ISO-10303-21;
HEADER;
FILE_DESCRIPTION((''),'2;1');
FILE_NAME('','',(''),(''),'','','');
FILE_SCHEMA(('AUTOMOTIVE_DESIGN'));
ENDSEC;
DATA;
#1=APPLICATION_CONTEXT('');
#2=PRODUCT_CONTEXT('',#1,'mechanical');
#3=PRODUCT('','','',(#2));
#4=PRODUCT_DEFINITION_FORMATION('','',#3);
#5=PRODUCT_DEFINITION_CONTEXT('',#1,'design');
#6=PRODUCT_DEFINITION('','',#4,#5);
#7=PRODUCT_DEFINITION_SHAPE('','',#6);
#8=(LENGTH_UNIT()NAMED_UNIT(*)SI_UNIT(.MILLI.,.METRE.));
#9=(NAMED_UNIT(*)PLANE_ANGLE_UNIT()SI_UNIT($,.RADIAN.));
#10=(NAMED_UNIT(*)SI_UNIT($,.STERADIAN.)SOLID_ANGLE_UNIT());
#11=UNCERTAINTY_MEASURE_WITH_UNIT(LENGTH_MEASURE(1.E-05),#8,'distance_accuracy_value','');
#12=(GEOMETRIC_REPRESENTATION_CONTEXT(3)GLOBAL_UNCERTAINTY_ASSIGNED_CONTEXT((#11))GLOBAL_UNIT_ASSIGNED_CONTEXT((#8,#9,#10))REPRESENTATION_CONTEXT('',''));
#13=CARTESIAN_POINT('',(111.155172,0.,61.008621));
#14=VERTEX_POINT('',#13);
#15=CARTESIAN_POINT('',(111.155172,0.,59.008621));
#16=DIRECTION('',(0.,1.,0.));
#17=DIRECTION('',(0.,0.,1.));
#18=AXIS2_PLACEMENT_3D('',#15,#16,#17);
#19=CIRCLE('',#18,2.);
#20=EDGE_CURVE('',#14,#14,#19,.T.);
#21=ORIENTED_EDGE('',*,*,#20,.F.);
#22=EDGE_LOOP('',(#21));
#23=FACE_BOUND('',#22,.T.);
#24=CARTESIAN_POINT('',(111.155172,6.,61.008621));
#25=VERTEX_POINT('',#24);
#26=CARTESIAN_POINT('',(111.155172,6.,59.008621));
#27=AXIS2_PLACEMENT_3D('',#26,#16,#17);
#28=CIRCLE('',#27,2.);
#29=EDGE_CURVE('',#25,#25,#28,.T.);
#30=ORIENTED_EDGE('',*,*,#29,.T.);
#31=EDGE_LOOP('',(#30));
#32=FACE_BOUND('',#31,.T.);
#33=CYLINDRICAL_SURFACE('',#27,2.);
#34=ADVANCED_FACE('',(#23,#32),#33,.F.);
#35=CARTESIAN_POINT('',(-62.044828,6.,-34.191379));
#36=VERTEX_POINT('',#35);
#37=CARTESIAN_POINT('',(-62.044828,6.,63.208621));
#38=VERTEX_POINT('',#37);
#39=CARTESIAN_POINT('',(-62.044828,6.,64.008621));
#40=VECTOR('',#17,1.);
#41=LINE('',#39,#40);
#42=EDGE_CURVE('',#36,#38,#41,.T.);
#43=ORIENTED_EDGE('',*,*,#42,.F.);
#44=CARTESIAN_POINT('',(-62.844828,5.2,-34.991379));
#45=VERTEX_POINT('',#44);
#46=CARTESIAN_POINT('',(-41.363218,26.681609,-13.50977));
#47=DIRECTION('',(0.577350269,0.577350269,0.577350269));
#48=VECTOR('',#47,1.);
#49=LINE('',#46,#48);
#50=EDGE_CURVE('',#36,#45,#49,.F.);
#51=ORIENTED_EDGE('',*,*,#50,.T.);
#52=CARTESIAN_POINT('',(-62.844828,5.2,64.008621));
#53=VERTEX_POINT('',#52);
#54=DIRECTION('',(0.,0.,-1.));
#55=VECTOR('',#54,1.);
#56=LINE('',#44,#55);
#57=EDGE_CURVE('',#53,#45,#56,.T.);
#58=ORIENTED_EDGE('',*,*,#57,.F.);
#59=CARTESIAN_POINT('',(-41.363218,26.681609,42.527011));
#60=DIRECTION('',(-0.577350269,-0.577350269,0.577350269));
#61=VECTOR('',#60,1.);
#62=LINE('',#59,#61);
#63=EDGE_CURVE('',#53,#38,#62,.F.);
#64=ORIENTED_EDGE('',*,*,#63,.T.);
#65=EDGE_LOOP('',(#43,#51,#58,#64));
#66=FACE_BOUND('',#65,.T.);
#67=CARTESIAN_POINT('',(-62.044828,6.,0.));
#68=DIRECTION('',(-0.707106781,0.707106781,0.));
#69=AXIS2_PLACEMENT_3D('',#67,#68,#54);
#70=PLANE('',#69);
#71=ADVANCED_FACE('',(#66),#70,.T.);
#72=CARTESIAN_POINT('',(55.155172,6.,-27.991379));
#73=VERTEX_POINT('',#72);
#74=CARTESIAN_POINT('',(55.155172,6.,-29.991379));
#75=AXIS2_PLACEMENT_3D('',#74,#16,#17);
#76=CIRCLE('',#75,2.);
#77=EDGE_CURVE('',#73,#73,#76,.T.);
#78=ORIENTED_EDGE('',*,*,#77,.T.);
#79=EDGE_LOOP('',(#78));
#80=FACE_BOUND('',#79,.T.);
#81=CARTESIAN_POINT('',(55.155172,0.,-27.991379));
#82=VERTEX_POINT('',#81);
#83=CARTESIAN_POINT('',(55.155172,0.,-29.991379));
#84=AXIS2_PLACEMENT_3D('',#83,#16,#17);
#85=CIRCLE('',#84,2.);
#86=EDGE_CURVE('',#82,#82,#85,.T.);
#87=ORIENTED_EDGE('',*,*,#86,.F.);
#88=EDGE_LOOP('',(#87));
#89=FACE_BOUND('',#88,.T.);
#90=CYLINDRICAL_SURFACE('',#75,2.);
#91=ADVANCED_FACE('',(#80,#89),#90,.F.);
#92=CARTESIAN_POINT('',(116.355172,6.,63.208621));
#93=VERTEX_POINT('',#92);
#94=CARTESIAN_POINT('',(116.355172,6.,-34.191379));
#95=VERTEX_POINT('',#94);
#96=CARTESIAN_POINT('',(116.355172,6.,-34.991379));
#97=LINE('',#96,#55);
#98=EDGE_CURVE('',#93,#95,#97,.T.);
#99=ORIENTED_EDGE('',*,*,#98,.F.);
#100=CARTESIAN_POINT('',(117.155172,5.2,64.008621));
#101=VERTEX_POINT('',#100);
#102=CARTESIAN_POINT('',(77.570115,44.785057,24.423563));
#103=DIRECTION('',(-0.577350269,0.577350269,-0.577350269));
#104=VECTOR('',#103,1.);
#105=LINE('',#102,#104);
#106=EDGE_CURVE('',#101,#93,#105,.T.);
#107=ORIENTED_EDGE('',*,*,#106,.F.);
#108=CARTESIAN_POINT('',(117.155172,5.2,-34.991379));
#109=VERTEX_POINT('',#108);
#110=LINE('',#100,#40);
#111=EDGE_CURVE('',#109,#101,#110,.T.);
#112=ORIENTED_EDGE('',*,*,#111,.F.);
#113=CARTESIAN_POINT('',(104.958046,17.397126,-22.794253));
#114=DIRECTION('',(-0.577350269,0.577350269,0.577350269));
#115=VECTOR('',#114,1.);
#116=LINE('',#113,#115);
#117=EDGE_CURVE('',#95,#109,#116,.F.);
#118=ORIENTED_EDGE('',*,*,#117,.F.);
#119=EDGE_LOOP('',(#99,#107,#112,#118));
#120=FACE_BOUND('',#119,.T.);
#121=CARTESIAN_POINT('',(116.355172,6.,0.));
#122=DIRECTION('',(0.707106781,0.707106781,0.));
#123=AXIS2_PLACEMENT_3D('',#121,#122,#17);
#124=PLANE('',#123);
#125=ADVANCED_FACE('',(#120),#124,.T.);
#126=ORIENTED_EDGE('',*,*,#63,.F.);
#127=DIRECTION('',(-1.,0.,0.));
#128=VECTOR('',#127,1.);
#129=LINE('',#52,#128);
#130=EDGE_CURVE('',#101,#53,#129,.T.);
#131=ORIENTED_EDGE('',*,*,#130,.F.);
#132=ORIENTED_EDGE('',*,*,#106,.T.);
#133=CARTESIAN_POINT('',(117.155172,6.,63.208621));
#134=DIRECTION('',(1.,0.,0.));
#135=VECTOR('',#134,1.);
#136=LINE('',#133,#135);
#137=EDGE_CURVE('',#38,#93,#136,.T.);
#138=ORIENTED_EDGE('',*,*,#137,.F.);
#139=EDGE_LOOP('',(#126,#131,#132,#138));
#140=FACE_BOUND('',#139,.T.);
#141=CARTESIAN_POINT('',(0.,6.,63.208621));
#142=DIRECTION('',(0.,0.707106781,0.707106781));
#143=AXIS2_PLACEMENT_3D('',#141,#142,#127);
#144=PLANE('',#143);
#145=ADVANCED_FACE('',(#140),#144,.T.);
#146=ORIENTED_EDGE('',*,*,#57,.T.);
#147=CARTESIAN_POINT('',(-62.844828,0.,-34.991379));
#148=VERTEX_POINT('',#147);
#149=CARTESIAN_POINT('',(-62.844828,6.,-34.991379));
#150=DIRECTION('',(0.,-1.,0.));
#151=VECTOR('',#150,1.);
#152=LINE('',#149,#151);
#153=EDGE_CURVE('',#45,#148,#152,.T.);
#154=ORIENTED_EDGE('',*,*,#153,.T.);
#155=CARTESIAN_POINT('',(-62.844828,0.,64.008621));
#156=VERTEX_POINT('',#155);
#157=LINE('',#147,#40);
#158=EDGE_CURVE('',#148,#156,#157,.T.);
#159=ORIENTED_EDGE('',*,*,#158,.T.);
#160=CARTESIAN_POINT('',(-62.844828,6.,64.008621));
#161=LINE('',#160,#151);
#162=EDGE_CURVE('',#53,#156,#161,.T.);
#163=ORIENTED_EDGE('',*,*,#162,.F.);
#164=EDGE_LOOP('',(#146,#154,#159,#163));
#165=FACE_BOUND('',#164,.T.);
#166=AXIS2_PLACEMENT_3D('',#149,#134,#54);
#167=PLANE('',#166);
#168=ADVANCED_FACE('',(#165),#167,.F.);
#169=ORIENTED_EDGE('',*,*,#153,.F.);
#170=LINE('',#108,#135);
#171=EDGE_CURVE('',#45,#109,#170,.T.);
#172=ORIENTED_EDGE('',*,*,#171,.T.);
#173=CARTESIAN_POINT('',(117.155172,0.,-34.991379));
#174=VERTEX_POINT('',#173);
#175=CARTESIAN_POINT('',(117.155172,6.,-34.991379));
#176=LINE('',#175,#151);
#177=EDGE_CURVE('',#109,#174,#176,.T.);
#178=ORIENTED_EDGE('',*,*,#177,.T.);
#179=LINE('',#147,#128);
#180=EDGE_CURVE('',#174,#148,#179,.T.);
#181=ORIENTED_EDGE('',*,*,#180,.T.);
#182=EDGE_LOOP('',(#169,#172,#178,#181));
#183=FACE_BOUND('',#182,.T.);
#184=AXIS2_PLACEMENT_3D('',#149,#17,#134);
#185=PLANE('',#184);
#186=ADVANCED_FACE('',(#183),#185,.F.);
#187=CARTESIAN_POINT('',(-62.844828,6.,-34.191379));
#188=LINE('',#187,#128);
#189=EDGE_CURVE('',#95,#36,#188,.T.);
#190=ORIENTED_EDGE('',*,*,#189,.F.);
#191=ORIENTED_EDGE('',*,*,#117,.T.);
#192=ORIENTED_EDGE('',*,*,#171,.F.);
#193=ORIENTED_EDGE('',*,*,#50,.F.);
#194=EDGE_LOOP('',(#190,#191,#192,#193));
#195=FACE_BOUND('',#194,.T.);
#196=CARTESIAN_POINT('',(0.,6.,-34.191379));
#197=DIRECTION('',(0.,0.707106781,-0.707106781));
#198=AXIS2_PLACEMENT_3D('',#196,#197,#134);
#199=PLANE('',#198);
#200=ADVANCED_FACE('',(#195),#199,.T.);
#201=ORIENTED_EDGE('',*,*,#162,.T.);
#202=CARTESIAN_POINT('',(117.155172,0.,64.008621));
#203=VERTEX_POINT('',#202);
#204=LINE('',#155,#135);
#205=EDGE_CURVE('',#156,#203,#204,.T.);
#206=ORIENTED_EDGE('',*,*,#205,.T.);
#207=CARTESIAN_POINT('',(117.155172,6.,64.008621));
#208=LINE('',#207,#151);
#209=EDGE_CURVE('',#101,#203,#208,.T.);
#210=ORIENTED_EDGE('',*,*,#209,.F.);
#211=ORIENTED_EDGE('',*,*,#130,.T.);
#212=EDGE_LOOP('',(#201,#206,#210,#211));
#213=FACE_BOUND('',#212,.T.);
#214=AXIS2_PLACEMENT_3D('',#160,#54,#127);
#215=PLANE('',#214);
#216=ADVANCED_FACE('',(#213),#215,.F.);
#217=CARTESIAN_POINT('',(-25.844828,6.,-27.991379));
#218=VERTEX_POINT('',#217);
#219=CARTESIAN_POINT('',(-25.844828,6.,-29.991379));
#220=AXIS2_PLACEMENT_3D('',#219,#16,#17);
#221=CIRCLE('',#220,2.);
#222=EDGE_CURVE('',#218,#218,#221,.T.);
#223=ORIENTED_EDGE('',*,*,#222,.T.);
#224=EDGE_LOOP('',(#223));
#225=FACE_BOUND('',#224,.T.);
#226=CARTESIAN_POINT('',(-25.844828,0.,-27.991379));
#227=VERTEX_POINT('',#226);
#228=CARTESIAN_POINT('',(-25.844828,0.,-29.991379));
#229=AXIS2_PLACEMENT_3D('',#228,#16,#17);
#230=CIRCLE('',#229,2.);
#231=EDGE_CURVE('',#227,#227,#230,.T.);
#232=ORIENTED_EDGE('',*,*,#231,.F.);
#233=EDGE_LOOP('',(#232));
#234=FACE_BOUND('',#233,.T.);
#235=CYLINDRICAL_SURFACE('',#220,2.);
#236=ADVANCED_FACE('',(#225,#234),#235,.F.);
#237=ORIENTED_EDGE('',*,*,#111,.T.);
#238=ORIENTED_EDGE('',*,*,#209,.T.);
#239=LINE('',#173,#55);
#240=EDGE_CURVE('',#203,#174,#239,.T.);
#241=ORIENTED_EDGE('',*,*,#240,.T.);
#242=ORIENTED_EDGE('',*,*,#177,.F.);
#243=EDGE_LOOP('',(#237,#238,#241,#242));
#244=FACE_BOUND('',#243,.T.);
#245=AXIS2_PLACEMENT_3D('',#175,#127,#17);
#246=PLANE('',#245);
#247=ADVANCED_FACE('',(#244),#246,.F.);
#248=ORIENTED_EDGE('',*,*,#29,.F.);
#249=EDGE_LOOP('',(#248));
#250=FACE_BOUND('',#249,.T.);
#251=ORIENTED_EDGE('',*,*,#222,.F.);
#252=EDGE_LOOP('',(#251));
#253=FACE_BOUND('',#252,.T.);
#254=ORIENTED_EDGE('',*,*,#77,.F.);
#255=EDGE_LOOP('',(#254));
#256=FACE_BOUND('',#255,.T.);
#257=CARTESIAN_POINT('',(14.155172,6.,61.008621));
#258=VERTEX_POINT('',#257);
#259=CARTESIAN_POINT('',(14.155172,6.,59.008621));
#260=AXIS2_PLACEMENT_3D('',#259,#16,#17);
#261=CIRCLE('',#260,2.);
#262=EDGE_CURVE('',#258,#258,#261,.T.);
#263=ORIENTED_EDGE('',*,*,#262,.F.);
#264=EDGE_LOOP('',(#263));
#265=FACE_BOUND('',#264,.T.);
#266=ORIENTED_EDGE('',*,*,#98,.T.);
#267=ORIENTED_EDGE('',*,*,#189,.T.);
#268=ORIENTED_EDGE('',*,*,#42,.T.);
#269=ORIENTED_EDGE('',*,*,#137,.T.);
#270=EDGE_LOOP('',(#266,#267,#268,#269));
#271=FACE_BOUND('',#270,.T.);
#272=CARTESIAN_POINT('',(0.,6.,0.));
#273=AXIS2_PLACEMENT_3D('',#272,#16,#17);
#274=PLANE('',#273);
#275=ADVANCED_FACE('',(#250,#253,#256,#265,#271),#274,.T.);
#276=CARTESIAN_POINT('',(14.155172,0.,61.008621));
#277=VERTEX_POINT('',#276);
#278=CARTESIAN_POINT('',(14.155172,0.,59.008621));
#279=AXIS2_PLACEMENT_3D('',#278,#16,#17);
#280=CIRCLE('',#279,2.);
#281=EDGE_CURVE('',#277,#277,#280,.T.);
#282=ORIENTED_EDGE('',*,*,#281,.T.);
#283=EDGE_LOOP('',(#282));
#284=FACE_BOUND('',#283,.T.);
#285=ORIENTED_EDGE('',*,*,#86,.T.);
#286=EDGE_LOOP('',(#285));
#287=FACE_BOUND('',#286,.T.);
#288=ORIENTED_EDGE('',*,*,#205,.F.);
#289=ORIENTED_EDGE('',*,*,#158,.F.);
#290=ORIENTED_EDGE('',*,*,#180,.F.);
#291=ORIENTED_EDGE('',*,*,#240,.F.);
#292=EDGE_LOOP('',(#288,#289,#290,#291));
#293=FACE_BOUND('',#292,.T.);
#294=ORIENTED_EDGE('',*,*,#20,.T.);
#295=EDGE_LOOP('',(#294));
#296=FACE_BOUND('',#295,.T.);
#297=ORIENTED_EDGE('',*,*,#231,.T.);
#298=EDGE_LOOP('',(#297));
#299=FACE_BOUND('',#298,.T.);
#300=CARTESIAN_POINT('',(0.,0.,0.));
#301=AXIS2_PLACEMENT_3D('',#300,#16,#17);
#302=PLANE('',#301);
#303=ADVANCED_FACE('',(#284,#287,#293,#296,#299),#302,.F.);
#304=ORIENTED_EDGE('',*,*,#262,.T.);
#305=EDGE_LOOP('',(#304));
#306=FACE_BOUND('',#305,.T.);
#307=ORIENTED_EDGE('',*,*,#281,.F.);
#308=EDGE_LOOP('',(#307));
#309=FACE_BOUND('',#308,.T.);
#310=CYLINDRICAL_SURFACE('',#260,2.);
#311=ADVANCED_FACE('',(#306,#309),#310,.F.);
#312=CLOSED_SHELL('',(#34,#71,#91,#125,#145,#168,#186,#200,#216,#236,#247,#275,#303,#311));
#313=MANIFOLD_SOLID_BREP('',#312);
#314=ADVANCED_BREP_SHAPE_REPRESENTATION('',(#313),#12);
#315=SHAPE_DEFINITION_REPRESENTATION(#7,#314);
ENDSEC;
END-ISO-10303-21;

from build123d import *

# Parameters (mm, degrees)
SKETCH1_W                = 180
SKETCH1_H                = 99
BOSS_EXTRUDE1_DEPTH      = 6
F_4_0_4_DIAMETER_HOLE1_D = 4
F_4_0_4_DIAMETER_HOLE2_D = 4
LPATTERN1_COUNT          = 2
LPATTERN1_PITCH          = 97
LPATTERN2_COUNT          = 2
LPATTERN2_PITCH          = 81
CHAMFER1_SIZE            = 0.8


with BuildPart() as part:
    # Sketch1 → Boss-Extrude1 (new body)
    with BuildSketch(Plane(origin=(0, 0, 0), x_dir=(1, 0, 0), z_dir=(0, 1, 0))):
        with Locations((27.155172414, -14.50862069)):
            Rectangle(SKETCH1_W, SKETCH1_H)
    extrude(amount=BOSS_EXTRUDE1_DEPTH)

    # Ø4.0 (4) Diameter Hole1 (through all)
    with Locations(Plane(origin=(0, 6, 0), x_dir=(1, 0, 0), z_dir=(0, 1, 0))):
        with Locations((111.155172414, -59.00862069)):
            f_4_0_4_diameter_hole1 = Hole(F_4_0_4_DIAMETER_HOLE1_D / 2)

    # Ø4.0 (4) Diameter Hole2 (through all)
    with Locations(Plane(origin=(0, 6, 0), x_dir=(1, 0, 0), z_dir=(0, 1, 0))):
        with Locations((55.155172414, 29.99137931)):
            f_4_0_4_diameter_hole2 = Hole(F_4_0_4_DIAMETER_HOLE2_D / 2)

    # LPattern1: Ø4.0 (4) Diameter Hole1 ×2
    with Locations(*[(-i * LPATTERN1_PITCH, 0, 0) for i in range(1, LPATTERN1_COUNT)]):
        add(f_4_0_4_diameter_hole1, mode=Mode.SUBTRACT)

    # LPattern2: Ø4.0 (4) Diameter Hole2 ×2
    with Locations(*[(-i * LPATTERN2_PITCH, 0, 0) for i in range(1, LPATTERN2_COUNT)]):
        add(f_4_0_4_diameter_hole2, mode=Mode.SUBTRACT)

    # Chamfer1
    chamfer1_edges = [part.edges().sort_by_distance(p)[0] for p in [
        (117.155172414, 6, 14.50862069),
        (27.155172414, 6, -34.99137931),
        (-62.844827586, 6, 14.50862069),
        (27.155172414, 6, 64.00862069),
    ]]
    chamfer(chamfer1_edges, length=CHAMFER1_SIZE)


solid = part.part
